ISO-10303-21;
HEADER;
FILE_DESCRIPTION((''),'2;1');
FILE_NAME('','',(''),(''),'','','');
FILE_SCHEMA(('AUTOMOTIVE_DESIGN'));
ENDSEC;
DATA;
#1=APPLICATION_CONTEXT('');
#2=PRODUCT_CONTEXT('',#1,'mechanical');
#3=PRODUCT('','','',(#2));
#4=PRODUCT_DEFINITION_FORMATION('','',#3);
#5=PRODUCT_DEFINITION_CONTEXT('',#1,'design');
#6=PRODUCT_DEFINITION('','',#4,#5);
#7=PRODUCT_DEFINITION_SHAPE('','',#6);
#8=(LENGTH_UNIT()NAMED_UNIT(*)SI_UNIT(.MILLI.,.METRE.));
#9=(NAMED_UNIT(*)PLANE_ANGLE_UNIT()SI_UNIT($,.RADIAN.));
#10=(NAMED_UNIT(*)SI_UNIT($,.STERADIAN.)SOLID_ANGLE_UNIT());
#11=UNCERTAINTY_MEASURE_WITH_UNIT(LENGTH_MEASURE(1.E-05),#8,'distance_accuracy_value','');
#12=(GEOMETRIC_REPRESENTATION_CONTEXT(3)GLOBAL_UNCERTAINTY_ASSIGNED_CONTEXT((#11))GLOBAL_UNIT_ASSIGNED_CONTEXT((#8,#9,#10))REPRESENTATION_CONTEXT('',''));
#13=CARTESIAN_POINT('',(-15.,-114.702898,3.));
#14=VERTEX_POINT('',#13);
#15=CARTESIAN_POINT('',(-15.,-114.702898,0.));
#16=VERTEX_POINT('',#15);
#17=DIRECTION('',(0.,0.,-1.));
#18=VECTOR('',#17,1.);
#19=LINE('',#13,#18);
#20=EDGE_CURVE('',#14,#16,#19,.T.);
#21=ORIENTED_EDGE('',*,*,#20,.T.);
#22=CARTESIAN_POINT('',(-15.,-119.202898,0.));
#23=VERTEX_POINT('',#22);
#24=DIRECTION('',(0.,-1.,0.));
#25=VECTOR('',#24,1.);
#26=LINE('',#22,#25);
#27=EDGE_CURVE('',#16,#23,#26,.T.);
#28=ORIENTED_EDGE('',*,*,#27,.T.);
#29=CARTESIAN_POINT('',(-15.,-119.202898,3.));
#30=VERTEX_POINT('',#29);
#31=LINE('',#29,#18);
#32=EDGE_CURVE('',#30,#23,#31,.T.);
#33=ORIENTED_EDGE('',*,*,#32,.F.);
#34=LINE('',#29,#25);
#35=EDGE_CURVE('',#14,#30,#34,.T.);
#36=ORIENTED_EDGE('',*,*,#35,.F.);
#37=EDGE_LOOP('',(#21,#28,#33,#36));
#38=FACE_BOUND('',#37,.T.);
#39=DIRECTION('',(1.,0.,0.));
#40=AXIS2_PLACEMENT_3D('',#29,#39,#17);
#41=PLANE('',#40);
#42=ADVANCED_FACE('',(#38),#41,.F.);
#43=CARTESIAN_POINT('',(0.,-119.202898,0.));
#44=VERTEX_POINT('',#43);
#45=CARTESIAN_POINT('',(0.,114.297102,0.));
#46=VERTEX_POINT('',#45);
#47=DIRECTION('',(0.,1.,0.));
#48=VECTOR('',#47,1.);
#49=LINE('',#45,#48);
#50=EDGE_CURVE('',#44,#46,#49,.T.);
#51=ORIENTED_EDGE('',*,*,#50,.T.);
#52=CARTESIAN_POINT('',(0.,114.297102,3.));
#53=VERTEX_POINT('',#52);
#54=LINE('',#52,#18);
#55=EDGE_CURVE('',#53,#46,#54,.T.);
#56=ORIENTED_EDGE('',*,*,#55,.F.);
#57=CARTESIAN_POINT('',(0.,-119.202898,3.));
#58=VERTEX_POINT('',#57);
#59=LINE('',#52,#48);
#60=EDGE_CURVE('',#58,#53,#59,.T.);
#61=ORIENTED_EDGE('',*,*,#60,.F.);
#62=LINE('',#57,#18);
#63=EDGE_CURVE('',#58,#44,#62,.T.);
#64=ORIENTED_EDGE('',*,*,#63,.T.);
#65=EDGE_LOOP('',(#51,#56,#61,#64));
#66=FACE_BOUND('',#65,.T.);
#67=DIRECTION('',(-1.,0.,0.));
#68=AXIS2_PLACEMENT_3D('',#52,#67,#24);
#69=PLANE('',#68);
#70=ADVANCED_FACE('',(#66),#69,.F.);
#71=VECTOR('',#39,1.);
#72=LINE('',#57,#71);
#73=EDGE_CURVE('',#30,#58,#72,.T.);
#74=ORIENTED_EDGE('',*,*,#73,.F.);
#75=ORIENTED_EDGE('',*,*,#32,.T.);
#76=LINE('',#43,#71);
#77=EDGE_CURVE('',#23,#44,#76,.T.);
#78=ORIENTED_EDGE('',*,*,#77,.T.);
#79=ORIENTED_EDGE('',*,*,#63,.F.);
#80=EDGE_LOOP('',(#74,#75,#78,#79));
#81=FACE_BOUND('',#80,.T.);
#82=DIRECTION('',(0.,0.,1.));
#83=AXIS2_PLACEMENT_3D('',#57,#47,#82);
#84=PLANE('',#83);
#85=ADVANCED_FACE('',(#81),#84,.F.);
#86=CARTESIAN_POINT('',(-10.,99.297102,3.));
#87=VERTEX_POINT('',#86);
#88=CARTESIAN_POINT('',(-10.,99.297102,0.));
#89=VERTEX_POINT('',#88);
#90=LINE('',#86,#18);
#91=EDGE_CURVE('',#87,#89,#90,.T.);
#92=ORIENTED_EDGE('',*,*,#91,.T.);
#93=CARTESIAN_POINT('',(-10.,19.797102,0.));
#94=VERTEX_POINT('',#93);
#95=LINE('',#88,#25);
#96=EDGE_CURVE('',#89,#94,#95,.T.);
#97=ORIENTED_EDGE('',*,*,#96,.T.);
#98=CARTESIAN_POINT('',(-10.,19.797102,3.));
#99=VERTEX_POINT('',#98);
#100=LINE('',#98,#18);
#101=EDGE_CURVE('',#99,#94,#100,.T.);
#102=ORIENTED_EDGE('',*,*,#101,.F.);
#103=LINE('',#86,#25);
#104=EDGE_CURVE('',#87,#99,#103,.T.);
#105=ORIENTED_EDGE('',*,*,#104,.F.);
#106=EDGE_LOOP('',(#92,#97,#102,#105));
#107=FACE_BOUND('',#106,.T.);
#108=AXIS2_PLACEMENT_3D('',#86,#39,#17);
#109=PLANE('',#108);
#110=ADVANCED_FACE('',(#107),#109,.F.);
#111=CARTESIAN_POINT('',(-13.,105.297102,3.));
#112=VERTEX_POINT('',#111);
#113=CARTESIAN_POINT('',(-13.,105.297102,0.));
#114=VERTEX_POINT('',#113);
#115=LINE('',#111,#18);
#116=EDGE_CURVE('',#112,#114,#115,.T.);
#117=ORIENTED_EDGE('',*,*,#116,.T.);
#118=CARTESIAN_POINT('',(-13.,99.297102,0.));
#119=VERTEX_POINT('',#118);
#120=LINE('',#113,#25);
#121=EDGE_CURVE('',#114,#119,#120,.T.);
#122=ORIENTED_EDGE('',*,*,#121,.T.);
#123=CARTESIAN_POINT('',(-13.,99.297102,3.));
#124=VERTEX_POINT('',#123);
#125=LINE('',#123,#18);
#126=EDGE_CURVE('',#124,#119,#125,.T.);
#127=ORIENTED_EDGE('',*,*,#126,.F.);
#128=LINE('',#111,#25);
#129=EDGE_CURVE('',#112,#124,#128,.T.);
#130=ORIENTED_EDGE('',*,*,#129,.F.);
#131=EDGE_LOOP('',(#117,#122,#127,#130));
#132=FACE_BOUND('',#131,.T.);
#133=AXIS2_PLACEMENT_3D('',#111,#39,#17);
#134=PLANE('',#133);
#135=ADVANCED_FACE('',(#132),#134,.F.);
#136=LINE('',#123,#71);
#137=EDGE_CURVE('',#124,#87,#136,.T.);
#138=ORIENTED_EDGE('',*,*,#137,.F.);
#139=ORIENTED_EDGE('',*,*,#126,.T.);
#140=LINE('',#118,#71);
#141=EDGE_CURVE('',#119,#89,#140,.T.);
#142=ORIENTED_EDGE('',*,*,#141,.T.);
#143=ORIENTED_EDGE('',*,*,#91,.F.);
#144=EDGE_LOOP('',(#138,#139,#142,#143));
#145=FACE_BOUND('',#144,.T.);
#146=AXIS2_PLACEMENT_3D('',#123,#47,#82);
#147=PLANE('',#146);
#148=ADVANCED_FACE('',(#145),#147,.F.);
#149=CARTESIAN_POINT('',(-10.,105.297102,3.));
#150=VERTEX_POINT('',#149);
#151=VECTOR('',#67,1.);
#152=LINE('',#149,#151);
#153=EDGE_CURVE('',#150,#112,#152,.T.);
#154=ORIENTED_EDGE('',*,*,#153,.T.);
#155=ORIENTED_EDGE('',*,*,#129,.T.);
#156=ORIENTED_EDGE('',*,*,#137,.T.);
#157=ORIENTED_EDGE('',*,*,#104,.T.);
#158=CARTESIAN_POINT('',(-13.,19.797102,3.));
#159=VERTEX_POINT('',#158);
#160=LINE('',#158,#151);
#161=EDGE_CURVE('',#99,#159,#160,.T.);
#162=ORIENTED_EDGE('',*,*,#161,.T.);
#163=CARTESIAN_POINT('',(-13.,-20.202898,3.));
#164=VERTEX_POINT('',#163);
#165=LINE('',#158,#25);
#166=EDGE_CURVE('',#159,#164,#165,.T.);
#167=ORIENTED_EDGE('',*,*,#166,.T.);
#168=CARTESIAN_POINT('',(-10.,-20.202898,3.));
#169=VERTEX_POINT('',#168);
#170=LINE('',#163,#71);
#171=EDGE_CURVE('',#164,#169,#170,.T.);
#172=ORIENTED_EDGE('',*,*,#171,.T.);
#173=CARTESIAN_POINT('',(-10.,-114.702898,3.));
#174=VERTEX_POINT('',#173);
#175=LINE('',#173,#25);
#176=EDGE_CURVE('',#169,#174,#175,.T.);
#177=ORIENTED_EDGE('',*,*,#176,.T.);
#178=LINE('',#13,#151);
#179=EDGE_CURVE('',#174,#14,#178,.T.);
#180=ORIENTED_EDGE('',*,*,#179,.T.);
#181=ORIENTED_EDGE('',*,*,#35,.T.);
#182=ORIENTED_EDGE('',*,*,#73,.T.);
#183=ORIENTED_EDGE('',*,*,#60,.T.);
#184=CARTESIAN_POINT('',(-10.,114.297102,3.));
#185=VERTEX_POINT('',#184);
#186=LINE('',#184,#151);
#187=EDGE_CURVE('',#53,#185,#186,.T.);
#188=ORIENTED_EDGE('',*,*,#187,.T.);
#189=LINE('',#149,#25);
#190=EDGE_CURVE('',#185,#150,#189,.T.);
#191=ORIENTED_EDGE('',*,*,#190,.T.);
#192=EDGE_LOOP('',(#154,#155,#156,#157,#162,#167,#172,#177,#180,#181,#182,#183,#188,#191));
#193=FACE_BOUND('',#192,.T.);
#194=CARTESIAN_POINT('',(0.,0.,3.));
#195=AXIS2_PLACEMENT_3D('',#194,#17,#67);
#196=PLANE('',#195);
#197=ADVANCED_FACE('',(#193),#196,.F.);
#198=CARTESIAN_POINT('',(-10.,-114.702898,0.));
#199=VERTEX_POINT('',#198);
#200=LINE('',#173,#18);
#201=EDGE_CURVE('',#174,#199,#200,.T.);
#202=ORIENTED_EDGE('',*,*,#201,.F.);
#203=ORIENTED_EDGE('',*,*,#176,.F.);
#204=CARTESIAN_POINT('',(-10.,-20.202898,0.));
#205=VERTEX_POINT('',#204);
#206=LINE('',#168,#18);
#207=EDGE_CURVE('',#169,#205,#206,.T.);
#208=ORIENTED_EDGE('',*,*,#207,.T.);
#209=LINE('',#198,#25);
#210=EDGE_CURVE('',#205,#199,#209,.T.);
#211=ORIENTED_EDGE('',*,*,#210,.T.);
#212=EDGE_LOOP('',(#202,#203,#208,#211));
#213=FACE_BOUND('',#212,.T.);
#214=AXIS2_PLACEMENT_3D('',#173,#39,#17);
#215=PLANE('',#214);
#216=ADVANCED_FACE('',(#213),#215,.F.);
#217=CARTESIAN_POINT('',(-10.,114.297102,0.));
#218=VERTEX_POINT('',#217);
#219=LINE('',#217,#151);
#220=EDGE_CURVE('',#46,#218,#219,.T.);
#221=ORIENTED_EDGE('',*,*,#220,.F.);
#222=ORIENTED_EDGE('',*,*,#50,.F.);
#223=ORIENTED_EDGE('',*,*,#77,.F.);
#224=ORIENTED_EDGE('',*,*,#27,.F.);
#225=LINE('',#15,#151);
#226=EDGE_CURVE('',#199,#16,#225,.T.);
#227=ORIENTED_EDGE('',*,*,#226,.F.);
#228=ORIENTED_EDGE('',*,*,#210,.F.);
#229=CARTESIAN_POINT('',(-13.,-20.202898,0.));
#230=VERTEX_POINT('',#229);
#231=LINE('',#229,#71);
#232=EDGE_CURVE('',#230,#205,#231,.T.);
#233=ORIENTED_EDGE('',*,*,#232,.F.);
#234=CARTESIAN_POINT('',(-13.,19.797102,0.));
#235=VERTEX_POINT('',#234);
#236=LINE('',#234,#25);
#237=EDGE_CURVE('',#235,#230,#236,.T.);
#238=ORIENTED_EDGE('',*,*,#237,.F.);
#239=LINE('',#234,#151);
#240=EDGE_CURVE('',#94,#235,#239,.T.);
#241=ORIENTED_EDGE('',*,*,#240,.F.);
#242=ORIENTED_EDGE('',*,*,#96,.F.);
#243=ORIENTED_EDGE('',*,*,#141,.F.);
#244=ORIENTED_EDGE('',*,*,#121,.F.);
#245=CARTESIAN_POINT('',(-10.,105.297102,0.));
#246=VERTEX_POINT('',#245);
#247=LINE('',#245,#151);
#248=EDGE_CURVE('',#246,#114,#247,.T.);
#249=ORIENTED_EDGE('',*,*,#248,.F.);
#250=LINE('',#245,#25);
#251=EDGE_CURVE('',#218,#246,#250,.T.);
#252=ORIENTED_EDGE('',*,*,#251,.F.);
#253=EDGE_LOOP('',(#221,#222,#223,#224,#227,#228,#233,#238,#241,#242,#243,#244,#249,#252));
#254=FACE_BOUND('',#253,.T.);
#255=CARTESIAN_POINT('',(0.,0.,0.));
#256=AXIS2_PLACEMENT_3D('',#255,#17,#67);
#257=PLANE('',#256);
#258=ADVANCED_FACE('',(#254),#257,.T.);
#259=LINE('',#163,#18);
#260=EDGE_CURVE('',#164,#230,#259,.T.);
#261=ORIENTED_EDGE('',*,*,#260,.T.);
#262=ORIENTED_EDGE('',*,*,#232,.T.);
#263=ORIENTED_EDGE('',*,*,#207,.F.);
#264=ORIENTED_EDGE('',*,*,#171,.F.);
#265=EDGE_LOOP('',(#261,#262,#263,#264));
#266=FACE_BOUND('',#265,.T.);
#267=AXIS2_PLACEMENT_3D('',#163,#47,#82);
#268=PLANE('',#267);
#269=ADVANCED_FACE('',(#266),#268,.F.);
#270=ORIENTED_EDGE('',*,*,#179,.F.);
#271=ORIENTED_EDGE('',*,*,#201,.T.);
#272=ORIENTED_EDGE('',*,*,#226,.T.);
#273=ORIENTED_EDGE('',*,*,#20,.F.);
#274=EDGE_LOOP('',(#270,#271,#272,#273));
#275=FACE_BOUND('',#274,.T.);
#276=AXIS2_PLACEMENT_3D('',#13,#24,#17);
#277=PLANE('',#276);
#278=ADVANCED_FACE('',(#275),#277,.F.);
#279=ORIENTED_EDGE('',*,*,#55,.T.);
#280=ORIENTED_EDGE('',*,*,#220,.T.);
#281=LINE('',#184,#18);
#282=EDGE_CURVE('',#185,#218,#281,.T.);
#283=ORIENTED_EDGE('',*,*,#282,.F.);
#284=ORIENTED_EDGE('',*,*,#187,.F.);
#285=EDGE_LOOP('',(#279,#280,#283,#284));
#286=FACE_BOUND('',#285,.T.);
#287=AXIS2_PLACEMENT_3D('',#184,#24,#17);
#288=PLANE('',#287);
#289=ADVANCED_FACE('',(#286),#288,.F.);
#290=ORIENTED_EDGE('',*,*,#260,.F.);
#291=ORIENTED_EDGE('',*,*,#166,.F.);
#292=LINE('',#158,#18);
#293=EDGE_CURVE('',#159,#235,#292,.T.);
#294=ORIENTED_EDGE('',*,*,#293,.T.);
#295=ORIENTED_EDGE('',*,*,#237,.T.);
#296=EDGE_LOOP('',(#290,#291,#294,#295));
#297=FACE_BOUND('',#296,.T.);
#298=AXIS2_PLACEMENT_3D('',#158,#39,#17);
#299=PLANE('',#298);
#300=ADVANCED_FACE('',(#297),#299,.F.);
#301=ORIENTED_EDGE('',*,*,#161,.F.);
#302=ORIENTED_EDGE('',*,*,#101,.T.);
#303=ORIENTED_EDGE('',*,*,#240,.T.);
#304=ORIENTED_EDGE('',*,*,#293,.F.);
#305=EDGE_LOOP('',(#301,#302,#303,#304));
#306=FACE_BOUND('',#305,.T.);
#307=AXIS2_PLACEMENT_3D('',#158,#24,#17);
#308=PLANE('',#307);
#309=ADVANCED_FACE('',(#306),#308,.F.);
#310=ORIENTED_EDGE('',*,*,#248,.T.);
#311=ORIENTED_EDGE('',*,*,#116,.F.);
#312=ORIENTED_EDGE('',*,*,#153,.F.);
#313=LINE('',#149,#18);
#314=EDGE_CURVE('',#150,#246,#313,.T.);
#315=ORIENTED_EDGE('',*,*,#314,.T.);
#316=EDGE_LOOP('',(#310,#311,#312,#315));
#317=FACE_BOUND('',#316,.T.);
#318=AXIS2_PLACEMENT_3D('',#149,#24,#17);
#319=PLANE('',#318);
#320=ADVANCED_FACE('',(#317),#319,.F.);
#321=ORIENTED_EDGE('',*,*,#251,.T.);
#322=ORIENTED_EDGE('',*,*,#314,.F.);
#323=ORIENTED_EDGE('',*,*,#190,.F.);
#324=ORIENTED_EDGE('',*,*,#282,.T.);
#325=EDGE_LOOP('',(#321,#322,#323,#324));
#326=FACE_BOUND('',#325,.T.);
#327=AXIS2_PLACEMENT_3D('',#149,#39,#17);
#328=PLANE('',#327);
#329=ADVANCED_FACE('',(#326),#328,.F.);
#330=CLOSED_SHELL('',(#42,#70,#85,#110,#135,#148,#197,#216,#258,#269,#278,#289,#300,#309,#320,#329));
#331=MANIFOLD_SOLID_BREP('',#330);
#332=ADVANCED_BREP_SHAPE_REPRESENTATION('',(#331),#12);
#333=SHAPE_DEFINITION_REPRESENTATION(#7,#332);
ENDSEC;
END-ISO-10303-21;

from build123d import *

# Parameters (mm, degrees)
BOSS_EXTRUDE1_DEPTH = 3


with BuildPart() as part:
    # Sketch2 → Boss-Extrude1 (new body)
    with BuildSketch(Plane.XY):
        Polygon((-10, 114.297102276), (0, 114.297102276), (0, -119.202897724), (-15, -119.202897724), (-15, -114.702897724), (-10, -114.702897724), (-10, -20.202897724), (-13, -20.202897724), (-13, 19.797102276), (-10, 19.797102276), (-10, 99.297102276), (-13, 99.297102276), (-13, 105.297102276), (-10, 105.297102276), align=None)
    extrude(amount=BOSS_EXTRUDE1_DEPTH)


solid = part.part
